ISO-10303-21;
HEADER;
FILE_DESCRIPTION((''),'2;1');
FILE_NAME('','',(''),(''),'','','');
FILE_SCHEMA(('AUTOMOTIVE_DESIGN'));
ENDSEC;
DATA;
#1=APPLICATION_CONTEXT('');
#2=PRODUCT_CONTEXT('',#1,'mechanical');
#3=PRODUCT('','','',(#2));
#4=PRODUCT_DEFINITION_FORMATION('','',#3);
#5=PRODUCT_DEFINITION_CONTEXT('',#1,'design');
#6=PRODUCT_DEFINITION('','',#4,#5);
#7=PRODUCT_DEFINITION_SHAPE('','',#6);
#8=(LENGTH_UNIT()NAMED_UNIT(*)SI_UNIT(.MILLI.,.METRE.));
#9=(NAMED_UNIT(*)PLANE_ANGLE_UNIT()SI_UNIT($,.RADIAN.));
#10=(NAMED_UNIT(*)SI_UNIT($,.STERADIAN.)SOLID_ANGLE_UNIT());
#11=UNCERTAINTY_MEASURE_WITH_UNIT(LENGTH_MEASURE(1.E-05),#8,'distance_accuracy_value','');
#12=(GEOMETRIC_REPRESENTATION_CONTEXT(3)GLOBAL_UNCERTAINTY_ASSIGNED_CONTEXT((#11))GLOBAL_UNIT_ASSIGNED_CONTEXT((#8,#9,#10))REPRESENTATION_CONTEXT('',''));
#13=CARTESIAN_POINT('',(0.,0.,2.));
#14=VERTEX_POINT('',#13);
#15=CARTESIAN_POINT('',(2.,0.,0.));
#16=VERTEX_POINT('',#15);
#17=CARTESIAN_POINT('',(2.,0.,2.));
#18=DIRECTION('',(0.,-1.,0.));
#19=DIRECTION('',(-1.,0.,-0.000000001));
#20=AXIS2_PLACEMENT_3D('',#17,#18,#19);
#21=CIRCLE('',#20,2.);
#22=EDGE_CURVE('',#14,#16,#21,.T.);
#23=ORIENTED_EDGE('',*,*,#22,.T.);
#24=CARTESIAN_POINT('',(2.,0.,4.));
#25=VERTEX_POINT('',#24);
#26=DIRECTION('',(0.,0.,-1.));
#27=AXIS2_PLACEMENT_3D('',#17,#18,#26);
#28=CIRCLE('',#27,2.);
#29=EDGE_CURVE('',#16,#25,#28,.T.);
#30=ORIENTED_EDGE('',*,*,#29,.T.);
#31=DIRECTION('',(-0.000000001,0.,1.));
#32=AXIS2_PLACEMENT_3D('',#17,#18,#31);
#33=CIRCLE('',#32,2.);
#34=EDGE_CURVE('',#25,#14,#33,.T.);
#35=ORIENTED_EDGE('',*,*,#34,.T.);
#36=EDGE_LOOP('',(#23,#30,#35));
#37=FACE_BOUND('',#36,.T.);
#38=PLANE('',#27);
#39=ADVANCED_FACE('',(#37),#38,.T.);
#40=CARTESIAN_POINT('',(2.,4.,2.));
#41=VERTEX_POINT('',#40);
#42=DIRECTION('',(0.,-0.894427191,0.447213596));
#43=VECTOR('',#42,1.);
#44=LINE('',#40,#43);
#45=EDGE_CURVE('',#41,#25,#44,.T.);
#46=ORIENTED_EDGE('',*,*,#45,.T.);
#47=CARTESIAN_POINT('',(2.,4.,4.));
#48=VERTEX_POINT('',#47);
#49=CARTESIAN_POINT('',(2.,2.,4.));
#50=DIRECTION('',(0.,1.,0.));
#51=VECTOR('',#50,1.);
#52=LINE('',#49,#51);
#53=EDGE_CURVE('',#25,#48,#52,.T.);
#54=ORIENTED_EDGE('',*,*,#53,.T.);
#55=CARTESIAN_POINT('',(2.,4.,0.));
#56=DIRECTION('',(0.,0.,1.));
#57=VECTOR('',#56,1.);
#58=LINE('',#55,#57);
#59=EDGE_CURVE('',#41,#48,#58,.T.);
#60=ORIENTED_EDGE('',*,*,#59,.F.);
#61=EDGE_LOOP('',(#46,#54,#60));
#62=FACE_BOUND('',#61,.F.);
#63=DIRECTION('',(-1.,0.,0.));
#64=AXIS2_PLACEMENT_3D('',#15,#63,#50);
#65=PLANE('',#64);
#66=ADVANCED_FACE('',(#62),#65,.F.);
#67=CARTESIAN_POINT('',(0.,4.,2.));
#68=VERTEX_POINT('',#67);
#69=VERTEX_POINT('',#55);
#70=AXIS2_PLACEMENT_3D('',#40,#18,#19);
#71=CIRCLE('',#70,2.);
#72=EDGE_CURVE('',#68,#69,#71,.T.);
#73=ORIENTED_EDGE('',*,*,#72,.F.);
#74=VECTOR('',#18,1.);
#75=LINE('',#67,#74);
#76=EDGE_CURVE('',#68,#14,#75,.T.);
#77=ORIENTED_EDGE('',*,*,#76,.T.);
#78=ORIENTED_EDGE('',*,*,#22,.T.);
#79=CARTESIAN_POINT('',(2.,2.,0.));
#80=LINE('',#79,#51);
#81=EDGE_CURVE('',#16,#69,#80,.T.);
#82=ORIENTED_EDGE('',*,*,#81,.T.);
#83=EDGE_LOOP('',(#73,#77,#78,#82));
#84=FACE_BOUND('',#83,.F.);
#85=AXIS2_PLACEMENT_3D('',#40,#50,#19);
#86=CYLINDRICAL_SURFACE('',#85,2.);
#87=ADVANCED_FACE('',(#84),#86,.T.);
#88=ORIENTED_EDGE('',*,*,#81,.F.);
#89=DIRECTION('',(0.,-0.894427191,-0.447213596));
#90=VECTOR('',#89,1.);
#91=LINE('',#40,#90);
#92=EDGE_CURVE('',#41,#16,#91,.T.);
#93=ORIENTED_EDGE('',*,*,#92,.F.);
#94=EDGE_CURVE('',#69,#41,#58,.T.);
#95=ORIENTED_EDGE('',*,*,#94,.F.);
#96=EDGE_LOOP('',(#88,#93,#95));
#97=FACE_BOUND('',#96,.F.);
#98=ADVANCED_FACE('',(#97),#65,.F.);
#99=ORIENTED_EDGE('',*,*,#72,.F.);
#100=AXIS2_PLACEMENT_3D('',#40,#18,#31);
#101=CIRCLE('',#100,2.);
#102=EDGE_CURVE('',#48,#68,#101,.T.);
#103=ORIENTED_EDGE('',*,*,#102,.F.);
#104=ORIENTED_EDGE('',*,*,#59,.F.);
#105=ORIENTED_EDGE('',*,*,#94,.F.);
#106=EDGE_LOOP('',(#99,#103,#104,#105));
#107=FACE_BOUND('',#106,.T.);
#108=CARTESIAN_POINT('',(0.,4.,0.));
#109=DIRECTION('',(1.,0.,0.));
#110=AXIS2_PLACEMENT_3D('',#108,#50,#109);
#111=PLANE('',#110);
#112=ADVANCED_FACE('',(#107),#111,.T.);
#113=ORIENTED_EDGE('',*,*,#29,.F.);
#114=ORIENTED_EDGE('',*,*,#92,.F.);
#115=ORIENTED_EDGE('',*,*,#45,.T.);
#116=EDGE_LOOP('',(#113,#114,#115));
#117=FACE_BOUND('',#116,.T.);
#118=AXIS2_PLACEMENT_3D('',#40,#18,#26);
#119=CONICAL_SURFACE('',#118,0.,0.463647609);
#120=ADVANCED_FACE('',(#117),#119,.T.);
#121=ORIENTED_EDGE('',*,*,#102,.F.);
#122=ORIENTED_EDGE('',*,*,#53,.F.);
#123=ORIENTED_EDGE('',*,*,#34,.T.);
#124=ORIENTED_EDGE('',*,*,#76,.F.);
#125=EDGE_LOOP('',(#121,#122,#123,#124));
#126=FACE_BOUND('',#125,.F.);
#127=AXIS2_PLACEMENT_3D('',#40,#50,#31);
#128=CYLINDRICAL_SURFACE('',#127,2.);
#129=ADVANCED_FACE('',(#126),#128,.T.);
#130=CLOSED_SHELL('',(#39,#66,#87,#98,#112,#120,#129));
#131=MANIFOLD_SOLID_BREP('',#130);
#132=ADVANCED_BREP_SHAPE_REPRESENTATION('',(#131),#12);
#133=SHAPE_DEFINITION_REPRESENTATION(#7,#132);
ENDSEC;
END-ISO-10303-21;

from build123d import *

# Parameters (mm, degrees)
SKETCH1_W           = 2
SKETCH1_H           = 4
BOSS_EXTRUDE1_DEPTH = 4
REVOLVE1_ANGLE      = 180
CUT_EXTRUDE1_DEPTH  = 4


with BuildPart() as part:
    # Sketch1 → Boss-Extrude1 (new body)
    with BuildSketch(Plane.XY):
        with Locations((1, 2)):
            Rectangle(SKETCH1_W, SKETCH1_H)
    extrude(amount=BOSS_EXTRUDE1_DEPTH)

    # Sketch2 → Revolve1 (revolve)
    with BuildSketch(Plane(origin=(2, 0, 0), x_dir=(0, 0, -1), z_dir=(1, 0, 0))):
        Polygon((-2, 0), (-2, 4), (0, 0), align=None)
    revolve(axis=Axis((2, 0, 2), (0, -1, 0)), revolution_arc=REVOLVE1_ANGLE)

    # Sketch3 → Cut-Extrude1 (cut)
    with BuildSketch(Plane(origin=(0, 4, 0), x_dir=(1, 0, 0), z_dir=(0, 1, 0))):
        with BuildLine():
            Line((0, -4), (2, -4))
            ThreePointArc((2, -4), (0.585786438, -3.414213562), (0, -2))
            Line((0, -2), (0, -4))
        make_face()
        with BuildLine():
            ThreePointArc((0, -2), (0.585786438, -0.585786438), (2, 0))
            Line((2, 0), (0, 0))
            Line((0, 0), (0, -2))
        make_face()
    extrude(amount=-CUT_EXTRUDE1_DEPTH, mode=Mode.SUBTRACT)


solid = part.part
